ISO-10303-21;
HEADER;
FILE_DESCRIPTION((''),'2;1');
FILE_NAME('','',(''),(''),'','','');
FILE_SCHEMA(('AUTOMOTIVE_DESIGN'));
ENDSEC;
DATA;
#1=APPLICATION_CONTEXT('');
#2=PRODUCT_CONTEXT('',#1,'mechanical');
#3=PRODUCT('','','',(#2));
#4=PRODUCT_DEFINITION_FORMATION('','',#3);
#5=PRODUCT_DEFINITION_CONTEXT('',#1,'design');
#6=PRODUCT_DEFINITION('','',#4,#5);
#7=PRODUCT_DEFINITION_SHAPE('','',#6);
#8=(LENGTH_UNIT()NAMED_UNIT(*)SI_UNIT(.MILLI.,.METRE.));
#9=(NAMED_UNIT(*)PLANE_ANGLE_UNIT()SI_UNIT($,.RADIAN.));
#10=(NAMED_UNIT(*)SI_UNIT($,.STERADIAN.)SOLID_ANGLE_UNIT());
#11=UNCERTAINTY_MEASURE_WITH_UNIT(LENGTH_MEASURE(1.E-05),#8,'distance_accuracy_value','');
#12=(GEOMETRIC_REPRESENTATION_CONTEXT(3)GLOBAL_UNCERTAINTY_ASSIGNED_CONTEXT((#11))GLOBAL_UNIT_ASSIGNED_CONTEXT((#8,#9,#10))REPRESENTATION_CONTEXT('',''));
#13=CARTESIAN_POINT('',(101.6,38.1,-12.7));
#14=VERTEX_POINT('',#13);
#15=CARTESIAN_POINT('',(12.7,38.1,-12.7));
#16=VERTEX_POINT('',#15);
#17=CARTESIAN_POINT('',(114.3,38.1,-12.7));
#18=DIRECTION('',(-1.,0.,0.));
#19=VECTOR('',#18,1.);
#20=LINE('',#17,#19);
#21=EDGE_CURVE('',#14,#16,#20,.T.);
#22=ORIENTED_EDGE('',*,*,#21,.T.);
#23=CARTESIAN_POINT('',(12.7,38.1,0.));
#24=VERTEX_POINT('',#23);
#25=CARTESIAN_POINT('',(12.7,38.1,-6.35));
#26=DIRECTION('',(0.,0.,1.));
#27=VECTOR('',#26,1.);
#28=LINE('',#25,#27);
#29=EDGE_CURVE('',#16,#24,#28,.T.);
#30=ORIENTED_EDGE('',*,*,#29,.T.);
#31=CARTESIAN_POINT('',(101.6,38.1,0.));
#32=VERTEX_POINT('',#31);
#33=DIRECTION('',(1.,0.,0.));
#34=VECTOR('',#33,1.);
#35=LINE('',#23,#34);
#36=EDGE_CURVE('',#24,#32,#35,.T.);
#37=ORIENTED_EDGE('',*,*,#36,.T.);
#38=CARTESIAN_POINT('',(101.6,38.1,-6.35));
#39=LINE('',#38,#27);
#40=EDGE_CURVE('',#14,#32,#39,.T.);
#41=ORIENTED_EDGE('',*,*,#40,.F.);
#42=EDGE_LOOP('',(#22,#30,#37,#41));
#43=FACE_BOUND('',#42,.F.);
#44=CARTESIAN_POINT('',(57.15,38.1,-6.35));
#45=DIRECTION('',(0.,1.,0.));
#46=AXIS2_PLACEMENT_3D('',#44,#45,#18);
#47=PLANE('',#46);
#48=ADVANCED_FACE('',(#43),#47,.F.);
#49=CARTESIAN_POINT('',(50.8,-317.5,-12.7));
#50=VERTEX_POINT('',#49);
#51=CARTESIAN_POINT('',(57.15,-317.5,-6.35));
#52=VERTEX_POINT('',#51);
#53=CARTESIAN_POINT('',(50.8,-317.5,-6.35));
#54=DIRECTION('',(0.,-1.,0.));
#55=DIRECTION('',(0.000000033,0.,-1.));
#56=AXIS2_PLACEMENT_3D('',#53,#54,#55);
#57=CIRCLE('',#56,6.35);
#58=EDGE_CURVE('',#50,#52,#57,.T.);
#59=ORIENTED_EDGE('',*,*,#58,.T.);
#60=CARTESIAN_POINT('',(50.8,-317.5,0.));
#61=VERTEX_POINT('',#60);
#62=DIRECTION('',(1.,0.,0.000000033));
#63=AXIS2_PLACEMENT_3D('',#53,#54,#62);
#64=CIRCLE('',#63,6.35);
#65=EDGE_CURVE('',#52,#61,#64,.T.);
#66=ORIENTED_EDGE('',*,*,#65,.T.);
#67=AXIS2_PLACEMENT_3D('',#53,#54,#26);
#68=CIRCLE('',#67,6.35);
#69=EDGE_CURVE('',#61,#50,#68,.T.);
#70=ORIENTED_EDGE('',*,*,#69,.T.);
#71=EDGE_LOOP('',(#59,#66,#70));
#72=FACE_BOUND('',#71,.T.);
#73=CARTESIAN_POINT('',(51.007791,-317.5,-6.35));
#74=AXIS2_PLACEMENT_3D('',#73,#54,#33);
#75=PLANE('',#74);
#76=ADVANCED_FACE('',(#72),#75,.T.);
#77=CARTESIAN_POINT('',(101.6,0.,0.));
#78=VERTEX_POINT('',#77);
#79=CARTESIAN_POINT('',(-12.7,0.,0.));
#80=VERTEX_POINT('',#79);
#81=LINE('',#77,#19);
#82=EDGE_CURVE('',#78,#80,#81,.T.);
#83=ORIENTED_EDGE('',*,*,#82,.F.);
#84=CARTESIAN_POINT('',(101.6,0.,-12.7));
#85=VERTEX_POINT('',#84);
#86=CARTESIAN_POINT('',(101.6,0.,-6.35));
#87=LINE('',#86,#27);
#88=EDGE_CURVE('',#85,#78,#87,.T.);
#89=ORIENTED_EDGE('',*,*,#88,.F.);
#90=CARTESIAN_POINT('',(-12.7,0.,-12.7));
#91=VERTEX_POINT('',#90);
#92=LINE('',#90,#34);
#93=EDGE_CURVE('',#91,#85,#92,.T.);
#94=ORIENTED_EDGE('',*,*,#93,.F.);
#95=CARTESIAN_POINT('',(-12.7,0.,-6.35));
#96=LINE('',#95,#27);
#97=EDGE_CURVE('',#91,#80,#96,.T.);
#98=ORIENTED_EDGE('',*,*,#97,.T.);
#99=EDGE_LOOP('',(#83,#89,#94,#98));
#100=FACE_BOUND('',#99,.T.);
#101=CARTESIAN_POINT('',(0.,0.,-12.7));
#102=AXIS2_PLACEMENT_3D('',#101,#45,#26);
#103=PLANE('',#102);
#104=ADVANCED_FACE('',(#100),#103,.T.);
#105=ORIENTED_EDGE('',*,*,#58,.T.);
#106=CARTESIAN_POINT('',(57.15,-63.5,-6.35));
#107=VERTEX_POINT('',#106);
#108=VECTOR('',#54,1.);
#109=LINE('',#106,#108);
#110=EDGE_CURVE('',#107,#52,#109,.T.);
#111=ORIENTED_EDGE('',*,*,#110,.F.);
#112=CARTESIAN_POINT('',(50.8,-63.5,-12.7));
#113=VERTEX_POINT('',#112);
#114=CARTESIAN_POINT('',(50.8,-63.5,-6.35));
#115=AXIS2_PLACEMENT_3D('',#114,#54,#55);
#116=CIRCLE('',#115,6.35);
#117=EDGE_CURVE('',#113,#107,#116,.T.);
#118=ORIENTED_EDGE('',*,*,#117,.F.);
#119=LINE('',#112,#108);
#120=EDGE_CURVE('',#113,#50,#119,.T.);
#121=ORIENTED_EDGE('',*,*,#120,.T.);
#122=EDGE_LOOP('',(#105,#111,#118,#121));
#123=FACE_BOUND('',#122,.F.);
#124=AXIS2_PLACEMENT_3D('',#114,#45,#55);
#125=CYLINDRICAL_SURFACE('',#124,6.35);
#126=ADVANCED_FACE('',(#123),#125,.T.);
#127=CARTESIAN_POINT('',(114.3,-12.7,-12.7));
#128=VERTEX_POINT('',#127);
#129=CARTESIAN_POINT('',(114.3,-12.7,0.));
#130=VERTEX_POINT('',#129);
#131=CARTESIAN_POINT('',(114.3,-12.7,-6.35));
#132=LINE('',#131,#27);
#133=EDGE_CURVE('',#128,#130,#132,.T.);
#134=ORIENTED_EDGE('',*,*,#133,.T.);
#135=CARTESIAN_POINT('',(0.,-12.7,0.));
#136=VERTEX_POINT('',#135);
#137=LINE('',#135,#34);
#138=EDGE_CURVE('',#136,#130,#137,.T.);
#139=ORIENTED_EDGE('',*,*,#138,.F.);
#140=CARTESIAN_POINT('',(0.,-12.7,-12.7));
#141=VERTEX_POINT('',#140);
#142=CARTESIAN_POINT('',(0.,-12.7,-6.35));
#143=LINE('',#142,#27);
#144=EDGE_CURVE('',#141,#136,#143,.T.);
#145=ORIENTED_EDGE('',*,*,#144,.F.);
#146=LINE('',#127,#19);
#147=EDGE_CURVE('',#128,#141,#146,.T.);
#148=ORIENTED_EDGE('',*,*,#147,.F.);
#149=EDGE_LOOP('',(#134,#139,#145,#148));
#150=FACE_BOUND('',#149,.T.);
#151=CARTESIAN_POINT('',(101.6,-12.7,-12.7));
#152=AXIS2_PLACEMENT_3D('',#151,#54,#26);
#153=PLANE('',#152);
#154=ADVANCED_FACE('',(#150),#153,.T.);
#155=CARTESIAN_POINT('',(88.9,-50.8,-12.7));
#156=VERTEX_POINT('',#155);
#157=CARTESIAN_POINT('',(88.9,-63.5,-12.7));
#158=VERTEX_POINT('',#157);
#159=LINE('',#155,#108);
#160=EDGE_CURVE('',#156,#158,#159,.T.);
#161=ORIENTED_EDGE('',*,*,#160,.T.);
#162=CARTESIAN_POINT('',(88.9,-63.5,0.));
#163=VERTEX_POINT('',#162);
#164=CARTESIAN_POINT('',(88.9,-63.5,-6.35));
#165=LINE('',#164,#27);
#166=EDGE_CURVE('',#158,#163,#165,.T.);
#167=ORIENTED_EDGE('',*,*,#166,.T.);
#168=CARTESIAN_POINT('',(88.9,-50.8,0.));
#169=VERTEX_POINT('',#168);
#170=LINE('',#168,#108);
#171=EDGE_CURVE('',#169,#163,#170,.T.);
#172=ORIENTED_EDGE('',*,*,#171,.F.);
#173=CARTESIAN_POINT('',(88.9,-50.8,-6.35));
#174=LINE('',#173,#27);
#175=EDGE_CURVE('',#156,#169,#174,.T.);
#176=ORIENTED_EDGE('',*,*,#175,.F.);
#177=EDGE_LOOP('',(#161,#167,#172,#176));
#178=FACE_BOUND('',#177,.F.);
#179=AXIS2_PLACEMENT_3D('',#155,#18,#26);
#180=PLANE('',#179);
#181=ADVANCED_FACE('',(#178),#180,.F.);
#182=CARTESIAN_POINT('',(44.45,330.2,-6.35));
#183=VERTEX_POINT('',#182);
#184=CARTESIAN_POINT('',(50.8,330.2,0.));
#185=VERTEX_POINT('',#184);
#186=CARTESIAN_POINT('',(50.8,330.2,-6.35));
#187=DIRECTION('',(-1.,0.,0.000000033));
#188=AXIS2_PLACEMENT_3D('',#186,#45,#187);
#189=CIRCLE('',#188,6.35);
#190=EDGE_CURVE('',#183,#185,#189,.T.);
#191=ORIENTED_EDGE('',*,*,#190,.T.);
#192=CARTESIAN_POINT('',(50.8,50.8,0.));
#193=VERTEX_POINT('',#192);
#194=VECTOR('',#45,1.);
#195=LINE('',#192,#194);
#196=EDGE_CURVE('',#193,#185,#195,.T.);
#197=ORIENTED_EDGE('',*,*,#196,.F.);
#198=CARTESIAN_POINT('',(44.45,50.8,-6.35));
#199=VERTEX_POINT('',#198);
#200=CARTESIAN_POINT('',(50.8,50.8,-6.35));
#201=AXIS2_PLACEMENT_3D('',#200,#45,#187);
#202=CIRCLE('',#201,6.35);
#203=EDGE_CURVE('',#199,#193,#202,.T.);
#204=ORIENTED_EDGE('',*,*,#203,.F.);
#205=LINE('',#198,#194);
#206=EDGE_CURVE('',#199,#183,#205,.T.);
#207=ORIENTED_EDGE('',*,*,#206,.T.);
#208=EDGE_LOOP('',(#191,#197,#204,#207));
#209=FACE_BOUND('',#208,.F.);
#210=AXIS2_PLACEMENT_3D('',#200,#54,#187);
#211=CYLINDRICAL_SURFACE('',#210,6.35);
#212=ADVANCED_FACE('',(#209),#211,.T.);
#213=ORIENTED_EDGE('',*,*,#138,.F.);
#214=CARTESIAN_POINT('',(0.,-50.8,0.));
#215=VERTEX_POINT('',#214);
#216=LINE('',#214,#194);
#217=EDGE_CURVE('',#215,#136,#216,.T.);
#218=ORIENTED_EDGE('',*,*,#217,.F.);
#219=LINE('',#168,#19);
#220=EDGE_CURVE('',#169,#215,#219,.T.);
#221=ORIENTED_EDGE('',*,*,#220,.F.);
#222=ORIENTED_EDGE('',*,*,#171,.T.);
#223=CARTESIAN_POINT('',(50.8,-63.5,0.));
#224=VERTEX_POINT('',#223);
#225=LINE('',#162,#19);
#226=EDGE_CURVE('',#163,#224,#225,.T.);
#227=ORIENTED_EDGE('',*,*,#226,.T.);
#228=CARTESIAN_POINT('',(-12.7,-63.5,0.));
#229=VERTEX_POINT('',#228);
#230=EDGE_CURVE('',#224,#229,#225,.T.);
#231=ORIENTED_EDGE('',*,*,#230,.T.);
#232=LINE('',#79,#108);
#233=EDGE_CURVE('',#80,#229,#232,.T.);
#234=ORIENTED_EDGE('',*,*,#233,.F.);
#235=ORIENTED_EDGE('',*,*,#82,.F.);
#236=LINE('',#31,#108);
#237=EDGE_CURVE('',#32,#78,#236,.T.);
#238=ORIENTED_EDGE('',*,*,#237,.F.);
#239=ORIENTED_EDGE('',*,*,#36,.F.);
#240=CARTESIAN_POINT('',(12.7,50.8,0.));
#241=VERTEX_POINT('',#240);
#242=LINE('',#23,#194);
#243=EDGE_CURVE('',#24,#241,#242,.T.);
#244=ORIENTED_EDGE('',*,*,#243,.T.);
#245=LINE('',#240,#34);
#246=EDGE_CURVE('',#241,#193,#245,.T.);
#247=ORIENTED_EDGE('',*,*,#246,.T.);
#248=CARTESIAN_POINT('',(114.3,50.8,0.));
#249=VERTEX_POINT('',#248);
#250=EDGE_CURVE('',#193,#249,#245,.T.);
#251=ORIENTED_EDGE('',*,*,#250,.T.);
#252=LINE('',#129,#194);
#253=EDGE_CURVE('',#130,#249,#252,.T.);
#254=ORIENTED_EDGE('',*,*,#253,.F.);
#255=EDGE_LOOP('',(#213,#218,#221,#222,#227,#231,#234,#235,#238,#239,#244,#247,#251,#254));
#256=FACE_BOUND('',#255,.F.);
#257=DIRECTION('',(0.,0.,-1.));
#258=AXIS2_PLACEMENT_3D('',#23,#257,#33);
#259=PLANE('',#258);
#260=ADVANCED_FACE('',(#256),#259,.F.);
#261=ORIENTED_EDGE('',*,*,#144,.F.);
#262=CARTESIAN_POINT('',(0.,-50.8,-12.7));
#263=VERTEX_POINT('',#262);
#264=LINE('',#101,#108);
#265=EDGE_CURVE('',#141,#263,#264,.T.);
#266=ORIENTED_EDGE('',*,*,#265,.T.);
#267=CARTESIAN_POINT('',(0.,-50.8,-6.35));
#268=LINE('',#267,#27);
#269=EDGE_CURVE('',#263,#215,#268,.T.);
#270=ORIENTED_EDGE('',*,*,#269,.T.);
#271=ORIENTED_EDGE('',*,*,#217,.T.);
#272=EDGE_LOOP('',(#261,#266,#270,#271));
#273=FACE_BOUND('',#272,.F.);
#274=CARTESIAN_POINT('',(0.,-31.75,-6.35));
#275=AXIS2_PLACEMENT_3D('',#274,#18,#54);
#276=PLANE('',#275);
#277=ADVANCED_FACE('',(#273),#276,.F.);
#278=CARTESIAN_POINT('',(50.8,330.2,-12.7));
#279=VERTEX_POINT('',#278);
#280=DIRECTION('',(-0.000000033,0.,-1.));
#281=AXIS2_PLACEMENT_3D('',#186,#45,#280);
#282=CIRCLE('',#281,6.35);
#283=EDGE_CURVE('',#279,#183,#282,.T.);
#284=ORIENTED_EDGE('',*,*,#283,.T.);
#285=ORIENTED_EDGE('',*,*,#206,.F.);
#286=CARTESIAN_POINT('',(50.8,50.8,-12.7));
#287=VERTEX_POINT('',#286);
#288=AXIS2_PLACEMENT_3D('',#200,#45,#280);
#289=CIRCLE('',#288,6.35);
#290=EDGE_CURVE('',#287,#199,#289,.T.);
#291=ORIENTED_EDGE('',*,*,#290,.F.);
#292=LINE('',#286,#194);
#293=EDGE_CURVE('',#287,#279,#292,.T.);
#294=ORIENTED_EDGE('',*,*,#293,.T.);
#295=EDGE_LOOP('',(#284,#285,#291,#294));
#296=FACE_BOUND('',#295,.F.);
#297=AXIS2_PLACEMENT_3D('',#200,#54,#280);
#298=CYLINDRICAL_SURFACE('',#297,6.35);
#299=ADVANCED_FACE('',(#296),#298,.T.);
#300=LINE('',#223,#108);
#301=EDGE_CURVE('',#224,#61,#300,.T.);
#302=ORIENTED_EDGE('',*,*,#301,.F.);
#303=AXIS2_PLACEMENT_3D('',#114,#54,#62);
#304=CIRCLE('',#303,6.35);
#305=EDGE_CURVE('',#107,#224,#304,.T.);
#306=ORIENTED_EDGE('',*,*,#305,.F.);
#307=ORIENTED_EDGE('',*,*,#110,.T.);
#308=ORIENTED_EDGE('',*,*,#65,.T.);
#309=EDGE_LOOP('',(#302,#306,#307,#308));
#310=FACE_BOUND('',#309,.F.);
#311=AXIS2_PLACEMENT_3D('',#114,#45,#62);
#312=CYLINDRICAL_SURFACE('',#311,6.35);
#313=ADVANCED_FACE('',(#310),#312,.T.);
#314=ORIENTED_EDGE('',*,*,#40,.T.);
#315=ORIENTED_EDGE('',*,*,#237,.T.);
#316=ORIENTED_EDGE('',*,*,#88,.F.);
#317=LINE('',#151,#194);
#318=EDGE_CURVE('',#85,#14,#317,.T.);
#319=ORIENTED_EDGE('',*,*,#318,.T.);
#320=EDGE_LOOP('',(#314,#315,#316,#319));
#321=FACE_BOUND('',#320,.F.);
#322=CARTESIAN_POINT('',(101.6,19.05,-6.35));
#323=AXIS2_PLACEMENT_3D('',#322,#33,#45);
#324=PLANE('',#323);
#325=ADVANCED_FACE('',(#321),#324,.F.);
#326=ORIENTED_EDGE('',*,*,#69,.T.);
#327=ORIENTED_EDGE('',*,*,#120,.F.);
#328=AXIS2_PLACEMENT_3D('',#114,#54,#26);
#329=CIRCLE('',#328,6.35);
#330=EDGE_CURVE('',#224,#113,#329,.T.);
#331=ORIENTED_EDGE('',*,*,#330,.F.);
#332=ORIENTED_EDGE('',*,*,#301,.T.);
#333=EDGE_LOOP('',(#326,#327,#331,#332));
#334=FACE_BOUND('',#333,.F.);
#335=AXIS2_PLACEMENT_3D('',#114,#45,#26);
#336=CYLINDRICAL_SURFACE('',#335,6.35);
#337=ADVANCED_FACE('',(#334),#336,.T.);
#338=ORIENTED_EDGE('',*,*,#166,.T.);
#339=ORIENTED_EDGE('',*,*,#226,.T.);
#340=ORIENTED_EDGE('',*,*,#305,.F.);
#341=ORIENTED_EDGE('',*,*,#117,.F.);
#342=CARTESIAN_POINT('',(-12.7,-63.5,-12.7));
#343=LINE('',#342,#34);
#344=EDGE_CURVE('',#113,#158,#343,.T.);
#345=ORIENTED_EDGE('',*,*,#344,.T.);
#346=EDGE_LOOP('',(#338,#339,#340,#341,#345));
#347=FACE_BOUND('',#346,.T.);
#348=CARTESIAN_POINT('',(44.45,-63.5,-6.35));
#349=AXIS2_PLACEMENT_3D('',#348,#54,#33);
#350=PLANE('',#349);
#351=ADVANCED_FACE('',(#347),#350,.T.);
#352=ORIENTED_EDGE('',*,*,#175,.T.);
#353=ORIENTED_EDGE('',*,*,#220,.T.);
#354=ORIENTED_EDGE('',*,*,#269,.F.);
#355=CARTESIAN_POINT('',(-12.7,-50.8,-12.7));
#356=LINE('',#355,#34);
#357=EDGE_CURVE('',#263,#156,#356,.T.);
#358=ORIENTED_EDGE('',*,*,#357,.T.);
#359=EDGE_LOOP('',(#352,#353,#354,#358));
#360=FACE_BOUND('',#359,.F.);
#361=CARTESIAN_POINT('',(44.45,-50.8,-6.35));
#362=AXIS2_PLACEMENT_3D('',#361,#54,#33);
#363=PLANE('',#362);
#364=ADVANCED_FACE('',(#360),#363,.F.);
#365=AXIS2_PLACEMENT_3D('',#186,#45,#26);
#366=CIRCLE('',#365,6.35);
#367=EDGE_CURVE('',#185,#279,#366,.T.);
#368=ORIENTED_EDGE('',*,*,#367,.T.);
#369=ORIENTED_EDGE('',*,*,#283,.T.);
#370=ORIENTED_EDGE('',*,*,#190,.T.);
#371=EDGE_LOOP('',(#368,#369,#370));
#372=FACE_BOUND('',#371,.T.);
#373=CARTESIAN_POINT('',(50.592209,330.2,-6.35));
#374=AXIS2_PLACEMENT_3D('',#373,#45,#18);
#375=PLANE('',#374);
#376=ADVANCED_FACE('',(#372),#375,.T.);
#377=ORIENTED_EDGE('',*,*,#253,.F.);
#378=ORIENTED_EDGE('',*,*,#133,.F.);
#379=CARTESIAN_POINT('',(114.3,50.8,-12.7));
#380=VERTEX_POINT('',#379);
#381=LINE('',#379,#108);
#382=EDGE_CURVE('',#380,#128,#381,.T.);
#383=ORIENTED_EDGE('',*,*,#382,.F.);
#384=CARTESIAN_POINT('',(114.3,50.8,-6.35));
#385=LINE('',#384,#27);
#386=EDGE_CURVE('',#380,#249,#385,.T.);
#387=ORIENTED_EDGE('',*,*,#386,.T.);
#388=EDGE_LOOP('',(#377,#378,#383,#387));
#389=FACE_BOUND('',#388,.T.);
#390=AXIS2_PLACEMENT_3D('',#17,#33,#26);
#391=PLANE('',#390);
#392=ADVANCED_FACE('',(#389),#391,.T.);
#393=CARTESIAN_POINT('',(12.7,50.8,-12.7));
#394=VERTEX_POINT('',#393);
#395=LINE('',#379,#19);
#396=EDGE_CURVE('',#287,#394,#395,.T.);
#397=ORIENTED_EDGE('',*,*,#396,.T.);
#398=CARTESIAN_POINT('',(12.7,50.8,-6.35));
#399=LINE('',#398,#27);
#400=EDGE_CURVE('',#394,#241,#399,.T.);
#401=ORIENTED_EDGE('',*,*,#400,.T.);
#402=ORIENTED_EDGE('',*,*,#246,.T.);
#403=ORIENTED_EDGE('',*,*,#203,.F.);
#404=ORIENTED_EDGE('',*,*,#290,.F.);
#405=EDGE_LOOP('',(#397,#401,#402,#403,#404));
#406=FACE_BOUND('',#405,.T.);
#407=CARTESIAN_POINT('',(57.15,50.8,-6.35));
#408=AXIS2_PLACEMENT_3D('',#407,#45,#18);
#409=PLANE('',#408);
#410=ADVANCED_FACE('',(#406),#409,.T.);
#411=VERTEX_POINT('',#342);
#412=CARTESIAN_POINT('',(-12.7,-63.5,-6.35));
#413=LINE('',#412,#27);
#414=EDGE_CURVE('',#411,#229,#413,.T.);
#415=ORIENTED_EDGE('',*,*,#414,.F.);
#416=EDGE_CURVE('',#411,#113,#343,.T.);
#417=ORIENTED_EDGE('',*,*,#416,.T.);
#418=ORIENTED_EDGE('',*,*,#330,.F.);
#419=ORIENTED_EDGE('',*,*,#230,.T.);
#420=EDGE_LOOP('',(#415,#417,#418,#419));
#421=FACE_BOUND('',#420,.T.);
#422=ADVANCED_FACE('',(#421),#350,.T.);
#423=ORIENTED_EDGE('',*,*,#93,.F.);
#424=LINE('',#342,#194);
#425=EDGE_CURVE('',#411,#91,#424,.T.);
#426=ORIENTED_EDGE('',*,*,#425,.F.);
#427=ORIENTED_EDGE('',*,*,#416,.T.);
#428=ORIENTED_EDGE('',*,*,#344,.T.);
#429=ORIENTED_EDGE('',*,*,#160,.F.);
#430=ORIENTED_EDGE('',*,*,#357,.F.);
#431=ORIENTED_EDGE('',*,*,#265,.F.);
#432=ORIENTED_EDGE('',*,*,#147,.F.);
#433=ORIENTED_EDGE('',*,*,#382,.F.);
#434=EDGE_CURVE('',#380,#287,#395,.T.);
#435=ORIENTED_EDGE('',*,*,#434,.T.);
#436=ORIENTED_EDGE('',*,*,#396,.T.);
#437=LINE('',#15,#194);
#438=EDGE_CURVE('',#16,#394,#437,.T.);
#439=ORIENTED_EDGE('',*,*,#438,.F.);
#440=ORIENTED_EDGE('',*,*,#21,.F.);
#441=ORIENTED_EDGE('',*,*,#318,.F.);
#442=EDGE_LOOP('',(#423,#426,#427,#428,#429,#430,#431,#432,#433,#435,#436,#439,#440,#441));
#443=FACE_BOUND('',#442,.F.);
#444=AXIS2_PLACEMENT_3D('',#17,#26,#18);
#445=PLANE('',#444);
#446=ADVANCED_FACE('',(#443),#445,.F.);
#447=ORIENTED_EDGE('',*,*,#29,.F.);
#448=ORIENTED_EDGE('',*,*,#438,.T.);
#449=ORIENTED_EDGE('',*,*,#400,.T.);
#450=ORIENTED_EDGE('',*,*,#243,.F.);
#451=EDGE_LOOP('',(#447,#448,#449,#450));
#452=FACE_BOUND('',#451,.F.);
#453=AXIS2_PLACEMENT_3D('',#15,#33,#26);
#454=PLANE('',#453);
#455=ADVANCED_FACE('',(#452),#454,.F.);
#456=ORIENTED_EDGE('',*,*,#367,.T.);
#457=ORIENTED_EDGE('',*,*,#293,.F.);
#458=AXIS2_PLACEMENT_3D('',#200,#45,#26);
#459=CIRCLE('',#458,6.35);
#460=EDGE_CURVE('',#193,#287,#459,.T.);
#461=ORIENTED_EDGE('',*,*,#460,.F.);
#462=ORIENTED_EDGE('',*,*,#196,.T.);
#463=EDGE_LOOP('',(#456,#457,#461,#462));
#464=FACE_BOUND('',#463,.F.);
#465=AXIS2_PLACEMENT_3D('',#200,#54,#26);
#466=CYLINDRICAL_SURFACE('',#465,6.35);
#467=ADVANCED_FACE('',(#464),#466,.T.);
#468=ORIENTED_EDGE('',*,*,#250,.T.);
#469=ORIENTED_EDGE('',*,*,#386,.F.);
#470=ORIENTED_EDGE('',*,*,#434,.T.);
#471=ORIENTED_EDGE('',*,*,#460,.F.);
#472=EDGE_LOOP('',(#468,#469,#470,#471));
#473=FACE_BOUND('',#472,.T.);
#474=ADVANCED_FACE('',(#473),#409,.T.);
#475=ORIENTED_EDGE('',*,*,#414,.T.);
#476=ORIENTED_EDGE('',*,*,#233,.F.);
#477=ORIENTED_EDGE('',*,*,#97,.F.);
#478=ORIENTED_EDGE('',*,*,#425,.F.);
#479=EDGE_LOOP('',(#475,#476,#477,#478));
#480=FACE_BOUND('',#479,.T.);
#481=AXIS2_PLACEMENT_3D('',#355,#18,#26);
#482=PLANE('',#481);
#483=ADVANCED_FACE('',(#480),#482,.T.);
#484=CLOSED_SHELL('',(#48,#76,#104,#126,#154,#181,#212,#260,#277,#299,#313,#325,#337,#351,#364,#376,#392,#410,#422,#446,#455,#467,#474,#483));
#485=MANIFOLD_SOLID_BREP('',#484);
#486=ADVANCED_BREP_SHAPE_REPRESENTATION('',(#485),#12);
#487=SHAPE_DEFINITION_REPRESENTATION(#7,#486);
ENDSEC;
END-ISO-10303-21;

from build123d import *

# Parameters (mm, degrees)
F0_W      = 12.7
F0_H      = 12.7
F1_DEPTH  = 101.6
F2_W      = 38.1
F2_H      = 12.7
F2_W_2    = 12.7
F3_DEPTH  = 12.7
F4_W      = 38.1
F4_H      = 12.7
F4_W_2    = 12.7
F5_DEPTH  = 12.7
F6_W      = 88.9
F6_H      = 12.7
F6_W_2    = 12.7
F7_DEPTH  = 12.7
F8_W      = 88.9
F8_H      = 12.7
F8_W_2    = 12.7
F9_DEPTH  = 12.7
F11_DEPTH = 254
F13_DEPTH = 279.4


with BuildPart() as f1:
    # F0 (on Right) → F1 (new body)
    with BuildSketch(Plane.YZ):
        with Locations((-6.35, -6.35)):
            Rectangle(F0_W, F0_H)
    extrude(amount=F1_DEPTH)

    # F2 (on face) → F3 (join)
    with BuildSketch(Plane.YZ.offset(101.6)):
        with Locations((19.05, -6.35)):
            Rectangle(F2_W, F2_H)
        with Locations((-6.35, -6.35)):
            Rectangle(F2_W_2, F2_H)
    extrude(amount=F3_DEPTH)

    # F4 (on face) → F5 (join)
    with BuildSketch(Plane(origin=(0, 0, 0), x_dir=(0, -1, 0), z_dir=(-1, 0, 0))):
        with Locations((31.75, -6.35)):
            Rectangle(F4_W, F4_H)
        with Locations((6.35, -6.35)):
            Rectangle(F4_W_2, F4_H)
    extrude(amount=F5_DEPTH)

    # F6 (on face) → F7 (join)
    with BuildSketch(Plane.XZ.offset(50.8)):
        with Locations((44.45, -6.35)):
            Rectangle(F6_W, F6_H)
        with Locations((-6.35, -6.35)):
            Rectangle(F6_W_2, F6_H)
    extrude(amount=F7_DEPTH)

    # F8 (on face) → F9 (join)
    with BuildSketch(Plane(origin=(0, 38.1, 0), x_dir=(-1, 0, 0), z_dir=(0, 1, 0))):
        with Locations((-57.15, -6.35)):
            Rectangle(F8_W, F8_H)
        with Locations((-107.95, -6.35)):
            Rectangle(F8_W_2, F8_H)
    extrude(amount=F9_DEPTH)

    # F10 (on face) → F11 (join)
    with BuildSketch(Plane.XZ.offset(63.5)):
        with BuildLine():
            ThreePointArc((50.8, -12.7), (55.290128, -10.840128), (57.15, -6.35))
            ThreePointArc((57.15, -6.35), (55.290128, -1.859872), (50.8, 0))
            ThreePointArc((50.8, 0), (44.45, -6.35), (50.8, -12.7))
        make_face()
    extrude(amount=F11_DEPTH)

    # F12 (on face) → F13 (join)
    with BuildSketch(Plane(origin=(0, 50.8, 0), x_dir=(-1, 0, 0), z_dir=(0, 1, 0))):
        with BuildLine():
            ThreePointArc((-50.8, -12.7), (-46.309872, -10.840128), (-44.45, -6.35))
            ThreePointArc((-44.45, -6.35), (-46.309872, -1.859872), (-50.8, 0))
            ThreePointArc((-50.8, 0), (-57.15, -6.35), (-50.8, -12.7))
        make_face()
    extrude(amount=F13_DEPTH)


solid = f1.part
